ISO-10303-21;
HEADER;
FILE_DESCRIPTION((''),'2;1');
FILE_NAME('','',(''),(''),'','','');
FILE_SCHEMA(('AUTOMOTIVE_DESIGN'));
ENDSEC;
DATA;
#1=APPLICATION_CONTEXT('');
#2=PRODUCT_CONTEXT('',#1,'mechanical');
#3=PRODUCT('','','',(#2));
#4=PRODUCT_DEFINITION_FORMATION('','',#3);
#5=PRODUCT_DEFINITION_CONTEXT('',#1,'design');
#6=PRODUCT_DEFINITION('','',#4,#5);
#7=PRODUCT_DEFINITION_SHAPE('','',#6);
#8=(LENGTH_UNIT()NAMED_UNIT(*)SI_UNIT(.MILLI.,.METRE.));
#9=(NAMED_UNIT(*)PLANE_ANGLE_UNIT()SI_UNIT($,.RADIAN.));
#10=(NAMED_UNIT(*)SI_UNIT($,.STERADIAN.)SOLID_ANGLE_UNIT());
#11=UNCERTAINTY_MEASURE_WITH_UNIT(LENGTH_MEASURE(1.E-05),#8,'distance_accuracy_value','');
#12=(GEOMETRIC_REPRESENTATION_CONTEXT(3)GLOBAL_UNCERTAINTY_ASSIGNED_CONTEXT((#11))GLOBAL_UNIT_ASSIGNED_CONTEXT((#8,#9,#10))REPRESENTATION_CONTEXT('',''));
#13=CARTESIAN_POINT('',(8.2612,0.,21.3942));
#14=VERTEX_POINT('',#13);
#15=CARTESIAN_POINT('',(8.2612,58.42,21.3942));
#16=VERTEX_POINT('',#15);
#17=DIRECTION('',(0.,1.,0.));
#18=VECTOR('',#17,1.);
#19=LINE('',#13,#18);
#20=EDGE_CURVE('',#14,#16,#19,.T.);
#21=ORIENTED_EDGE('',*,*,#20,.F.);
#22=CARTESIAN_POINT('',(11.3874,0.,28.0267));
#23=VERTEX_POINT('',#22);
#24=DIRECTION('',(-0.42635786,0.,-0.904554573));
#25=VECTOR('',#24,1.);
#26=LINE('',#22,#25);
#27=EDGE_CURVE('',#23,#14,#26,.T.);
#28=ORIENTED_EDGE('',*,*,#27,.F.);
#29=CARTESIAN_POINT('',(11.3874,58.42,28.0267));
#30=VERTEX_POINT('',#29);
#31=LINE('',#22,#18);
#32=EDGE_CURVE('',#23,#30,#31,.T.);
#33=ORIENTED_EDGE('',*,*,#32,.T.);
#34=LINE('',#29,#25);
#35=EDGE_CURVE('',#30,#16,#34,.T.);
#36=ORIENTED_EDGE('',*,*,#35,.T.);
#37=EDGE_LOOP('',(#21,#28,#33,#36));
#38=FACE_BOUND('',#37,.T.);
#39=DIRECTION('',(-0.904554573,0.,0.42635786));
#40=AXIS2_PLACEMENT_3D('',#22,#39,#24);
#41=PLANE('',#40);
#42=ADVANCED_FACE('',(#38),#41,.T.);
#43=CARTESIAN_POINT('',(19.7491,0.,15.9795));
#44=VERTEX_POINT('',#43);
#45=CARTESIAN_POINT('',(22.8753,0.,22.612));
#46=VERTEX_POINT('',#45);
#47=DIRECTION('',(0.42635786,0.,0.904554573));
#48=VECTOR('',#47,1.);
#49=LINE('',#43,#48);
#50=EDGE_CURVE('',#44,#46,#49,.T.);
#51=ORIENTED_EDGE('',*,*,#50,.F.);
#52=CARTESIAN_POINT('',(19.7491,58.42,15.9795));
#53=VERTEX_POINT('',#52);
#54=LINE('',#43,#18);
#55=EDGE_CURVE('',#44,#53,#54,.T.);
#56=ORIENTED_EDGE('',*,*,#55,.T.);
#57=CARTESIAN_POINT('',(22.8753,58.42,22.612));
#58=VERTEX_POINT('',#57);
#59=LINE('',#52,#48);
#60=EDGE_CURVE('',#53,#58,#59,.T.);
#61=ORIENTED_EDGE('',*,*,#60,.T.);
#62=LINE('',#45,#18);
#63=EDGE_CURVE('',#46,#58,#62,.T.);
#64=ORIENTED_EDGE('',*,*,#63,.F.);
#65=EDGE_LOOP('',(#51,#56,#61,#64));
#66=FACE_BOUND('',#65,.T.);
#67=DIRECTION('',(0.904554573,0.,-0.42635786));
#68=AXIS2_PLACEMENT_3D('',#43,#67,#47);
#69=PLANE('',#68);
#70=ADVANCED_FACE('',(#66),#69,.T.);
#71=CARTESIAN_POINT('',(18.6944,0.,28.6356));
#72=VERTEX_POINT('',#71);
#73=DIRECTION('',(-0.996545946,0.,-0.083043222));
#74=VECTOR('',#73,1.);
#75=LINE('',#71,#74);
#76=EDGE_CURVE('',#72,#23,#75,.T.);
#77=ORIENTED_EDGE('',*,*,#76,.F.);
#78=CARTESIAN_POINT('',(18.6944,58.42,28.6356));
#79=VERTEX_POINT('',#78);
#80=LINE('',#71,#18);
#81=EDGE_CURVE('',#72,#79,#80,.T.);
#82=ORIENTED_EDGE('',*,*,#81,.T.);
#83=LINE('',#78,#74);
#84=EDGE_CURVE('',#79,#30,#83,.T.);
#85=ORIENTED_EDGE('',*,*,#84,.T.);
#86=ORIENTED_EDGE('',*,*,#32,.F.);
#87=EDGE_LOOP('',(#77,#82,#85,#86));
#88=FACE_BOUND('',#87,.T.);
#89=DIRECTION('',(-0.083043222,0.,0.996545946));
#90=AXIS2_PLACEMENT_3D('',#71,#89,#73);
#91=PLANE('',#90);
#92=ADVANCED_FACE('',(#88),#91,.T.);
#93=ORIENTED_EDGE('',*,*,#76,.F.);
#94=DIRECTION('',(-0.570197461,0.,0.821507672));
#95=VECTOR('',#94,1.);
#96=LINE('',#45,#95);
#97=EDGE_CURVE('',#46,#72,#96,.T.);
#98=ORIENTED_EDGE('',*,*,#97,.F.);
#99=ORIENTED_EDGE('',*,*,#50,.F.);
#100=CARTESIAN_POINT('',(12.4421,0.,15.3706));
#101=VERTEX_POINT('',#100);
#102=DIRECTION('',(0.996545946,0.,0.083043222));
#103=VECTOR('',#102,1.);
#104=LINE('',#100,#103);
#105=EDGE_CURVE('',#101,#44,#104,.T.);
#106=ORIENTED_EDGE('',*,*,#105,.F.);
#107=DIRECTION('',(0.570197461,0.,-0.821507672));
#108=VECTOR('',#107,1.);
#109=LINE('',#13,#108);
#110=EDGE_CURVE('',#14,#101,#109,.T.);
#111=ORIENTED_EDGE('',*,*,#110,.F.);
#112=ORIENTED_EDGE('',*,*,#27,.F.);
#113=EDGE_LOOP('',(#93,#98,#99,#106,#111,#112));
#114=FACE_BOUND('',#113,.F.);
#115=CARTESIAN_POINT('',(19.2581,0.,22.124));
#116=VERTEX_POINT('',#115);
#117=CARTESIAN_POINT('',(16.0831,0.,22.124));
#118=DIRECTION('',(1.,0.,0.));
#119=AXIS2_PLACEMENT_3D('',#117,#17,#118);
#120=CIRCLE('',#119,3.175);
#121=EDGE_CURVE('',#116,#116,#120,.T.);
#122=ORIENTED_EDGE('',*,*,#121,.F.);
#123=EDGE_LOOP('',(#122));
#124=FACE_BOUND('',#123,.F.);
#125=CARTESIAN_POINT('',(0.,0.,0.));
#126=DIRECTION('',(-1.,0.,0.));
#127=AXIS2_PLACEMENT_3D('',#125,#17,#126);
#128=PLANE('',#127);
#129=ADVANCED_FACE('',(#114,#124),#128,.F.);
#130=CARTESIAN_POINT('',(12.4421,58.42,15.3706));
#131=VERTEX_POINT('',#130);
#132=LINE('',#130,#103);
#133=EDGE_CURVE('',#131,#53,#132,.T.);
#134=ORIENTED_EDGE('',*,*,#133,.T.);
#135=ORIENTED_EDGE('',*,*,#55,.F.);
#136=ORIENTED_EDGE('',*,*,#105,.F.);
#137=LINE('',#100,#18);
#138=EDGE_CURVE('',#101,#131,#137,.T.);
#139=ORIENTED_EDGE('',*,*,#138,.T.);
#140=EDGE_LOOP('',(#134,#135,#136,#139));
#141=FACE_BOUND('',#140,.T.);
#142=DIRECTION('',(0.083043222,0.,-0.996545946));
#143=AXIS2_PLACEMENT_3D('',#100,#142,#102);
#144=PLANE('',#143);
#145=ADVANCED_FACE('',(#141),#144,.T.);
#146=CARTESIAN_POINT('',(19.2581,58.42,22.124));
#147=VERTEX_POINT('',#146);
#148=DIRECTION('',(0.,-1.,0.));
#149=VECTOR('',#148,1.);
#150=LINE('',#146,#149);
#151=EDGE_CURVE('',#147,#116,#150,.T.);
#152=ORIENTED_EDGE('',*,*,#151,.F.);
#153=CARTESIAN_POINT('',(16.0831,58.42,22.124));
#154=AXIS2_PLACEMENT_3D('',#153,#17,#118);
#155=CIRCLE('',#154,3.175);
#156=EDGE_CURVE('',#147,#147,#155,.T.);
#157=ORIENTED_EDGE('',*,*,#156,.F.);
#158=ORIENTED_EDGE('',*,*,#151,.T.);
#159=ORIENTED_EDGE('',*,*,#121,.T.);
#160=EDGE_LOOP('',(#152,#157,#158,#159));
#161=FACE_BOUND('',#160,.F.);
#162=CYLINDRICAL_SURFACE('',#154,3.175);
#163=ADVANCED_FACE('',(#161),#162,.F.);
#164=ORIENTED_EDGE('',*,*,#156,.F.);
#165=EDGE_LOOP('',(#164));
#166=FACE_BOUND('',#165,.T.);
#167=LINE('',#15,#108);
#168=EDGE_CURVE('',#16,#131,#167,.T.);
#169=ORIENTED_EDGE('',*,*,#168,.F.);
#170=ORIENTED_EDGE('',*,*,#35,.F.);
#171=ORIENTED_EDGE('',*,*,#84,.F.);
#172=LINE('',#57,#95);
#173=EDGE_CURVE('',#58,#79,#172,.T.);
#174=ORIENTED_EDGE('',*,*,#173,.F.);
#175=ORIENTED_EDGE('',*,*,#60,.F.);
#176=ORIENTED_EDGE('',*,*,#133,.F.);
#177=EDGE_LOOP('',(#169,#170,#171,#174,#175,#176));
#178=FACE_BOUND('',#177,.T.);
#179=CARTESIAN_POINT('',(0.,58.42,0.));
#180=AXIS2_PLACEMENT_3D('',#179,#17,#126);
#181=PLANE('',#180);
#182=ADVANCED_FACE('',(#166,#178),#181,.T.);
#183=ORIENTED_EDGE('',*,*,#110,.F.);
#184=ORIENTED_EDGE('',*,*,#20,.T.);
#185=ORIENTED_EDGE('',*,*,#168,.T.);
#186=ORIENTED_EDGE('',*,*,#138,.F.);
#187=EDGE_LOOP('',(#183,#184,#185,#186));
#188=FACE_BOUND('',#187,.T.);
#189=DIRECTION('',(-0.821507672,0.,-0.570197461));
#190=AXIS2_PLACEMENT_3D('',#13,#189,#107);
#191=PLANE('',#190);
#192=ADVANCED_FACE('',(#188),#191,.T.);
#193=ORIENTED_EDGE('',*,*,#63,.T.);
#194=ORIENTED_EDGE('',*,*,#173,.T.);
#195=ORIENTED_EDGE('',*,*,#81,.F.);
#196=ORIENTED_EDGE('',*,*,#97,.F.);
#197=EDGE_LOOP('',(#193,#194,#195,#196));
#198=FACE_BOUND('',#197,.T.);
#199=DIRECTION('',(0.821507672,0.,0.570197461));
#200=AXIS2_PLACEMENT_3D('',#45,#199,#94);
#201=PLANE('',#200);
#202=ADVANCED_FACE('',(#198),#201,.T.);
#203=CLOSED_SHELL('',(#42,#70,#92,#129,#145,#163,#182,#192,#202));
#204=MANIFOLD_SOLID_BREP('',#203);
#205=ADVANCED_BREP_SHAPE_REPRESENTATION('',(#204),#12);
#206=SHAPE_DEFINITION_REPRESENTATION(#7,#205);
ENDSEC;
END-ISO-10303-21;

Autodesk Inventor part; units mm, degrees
ref_plane "YZ Plane" through (0, 0, 0) normal (1, 0, 0) x (0, 1, 0)
ref_plane "XZ Plane" through (0, 0, 0) normal (0, 1, 0) x (-1, 0, 0)
ref_plane "XY Plane" through (0, 0, 0) normal (0, 0, 1) x (1, 0, 0)
sketch "Sketch1" plane through (0, 0, 0) normal (0, 1, 0) x (-1, 0, 0)
  line L0 (-8.2612, 21.3942) -> (-12.4421, 15.3706)
  line L1 (-12.4421, 15.3706) -> (-19.7491, 15.9795)
  line L2 (-19.7491, 15.9795) -> (-22.8753, 22.612)
  line L3 (-22.8753, 22.612) -> (-18.6944, 28.6356)
  line L4 (-18.6944, 28.6356) -> (-11.3874, 28.0267)
  line L5 (-11.3874, 28.0267) -> (-8.2612, 21.3942)
  point P0 (0, 0)
  point P1 (-15.5682, 22.0031)
  dimension "d0" = 12.7
extrude "Extrusion1" add sketch "Sketch1" along normal blind 58.42
sketch "Sketch4" plane through (0, 58.42, 0) normal (0, 1, 0) x (1, 0, 0)
  circle A0 centre (16.0831, -22.124) radius 3.175
  point P0 (0, 0)
  dimension "d4" = 6.35
extrude "Extrusion2" cut sketch "Sketch4" against normal through all
properties part number "Hex Shaft"
